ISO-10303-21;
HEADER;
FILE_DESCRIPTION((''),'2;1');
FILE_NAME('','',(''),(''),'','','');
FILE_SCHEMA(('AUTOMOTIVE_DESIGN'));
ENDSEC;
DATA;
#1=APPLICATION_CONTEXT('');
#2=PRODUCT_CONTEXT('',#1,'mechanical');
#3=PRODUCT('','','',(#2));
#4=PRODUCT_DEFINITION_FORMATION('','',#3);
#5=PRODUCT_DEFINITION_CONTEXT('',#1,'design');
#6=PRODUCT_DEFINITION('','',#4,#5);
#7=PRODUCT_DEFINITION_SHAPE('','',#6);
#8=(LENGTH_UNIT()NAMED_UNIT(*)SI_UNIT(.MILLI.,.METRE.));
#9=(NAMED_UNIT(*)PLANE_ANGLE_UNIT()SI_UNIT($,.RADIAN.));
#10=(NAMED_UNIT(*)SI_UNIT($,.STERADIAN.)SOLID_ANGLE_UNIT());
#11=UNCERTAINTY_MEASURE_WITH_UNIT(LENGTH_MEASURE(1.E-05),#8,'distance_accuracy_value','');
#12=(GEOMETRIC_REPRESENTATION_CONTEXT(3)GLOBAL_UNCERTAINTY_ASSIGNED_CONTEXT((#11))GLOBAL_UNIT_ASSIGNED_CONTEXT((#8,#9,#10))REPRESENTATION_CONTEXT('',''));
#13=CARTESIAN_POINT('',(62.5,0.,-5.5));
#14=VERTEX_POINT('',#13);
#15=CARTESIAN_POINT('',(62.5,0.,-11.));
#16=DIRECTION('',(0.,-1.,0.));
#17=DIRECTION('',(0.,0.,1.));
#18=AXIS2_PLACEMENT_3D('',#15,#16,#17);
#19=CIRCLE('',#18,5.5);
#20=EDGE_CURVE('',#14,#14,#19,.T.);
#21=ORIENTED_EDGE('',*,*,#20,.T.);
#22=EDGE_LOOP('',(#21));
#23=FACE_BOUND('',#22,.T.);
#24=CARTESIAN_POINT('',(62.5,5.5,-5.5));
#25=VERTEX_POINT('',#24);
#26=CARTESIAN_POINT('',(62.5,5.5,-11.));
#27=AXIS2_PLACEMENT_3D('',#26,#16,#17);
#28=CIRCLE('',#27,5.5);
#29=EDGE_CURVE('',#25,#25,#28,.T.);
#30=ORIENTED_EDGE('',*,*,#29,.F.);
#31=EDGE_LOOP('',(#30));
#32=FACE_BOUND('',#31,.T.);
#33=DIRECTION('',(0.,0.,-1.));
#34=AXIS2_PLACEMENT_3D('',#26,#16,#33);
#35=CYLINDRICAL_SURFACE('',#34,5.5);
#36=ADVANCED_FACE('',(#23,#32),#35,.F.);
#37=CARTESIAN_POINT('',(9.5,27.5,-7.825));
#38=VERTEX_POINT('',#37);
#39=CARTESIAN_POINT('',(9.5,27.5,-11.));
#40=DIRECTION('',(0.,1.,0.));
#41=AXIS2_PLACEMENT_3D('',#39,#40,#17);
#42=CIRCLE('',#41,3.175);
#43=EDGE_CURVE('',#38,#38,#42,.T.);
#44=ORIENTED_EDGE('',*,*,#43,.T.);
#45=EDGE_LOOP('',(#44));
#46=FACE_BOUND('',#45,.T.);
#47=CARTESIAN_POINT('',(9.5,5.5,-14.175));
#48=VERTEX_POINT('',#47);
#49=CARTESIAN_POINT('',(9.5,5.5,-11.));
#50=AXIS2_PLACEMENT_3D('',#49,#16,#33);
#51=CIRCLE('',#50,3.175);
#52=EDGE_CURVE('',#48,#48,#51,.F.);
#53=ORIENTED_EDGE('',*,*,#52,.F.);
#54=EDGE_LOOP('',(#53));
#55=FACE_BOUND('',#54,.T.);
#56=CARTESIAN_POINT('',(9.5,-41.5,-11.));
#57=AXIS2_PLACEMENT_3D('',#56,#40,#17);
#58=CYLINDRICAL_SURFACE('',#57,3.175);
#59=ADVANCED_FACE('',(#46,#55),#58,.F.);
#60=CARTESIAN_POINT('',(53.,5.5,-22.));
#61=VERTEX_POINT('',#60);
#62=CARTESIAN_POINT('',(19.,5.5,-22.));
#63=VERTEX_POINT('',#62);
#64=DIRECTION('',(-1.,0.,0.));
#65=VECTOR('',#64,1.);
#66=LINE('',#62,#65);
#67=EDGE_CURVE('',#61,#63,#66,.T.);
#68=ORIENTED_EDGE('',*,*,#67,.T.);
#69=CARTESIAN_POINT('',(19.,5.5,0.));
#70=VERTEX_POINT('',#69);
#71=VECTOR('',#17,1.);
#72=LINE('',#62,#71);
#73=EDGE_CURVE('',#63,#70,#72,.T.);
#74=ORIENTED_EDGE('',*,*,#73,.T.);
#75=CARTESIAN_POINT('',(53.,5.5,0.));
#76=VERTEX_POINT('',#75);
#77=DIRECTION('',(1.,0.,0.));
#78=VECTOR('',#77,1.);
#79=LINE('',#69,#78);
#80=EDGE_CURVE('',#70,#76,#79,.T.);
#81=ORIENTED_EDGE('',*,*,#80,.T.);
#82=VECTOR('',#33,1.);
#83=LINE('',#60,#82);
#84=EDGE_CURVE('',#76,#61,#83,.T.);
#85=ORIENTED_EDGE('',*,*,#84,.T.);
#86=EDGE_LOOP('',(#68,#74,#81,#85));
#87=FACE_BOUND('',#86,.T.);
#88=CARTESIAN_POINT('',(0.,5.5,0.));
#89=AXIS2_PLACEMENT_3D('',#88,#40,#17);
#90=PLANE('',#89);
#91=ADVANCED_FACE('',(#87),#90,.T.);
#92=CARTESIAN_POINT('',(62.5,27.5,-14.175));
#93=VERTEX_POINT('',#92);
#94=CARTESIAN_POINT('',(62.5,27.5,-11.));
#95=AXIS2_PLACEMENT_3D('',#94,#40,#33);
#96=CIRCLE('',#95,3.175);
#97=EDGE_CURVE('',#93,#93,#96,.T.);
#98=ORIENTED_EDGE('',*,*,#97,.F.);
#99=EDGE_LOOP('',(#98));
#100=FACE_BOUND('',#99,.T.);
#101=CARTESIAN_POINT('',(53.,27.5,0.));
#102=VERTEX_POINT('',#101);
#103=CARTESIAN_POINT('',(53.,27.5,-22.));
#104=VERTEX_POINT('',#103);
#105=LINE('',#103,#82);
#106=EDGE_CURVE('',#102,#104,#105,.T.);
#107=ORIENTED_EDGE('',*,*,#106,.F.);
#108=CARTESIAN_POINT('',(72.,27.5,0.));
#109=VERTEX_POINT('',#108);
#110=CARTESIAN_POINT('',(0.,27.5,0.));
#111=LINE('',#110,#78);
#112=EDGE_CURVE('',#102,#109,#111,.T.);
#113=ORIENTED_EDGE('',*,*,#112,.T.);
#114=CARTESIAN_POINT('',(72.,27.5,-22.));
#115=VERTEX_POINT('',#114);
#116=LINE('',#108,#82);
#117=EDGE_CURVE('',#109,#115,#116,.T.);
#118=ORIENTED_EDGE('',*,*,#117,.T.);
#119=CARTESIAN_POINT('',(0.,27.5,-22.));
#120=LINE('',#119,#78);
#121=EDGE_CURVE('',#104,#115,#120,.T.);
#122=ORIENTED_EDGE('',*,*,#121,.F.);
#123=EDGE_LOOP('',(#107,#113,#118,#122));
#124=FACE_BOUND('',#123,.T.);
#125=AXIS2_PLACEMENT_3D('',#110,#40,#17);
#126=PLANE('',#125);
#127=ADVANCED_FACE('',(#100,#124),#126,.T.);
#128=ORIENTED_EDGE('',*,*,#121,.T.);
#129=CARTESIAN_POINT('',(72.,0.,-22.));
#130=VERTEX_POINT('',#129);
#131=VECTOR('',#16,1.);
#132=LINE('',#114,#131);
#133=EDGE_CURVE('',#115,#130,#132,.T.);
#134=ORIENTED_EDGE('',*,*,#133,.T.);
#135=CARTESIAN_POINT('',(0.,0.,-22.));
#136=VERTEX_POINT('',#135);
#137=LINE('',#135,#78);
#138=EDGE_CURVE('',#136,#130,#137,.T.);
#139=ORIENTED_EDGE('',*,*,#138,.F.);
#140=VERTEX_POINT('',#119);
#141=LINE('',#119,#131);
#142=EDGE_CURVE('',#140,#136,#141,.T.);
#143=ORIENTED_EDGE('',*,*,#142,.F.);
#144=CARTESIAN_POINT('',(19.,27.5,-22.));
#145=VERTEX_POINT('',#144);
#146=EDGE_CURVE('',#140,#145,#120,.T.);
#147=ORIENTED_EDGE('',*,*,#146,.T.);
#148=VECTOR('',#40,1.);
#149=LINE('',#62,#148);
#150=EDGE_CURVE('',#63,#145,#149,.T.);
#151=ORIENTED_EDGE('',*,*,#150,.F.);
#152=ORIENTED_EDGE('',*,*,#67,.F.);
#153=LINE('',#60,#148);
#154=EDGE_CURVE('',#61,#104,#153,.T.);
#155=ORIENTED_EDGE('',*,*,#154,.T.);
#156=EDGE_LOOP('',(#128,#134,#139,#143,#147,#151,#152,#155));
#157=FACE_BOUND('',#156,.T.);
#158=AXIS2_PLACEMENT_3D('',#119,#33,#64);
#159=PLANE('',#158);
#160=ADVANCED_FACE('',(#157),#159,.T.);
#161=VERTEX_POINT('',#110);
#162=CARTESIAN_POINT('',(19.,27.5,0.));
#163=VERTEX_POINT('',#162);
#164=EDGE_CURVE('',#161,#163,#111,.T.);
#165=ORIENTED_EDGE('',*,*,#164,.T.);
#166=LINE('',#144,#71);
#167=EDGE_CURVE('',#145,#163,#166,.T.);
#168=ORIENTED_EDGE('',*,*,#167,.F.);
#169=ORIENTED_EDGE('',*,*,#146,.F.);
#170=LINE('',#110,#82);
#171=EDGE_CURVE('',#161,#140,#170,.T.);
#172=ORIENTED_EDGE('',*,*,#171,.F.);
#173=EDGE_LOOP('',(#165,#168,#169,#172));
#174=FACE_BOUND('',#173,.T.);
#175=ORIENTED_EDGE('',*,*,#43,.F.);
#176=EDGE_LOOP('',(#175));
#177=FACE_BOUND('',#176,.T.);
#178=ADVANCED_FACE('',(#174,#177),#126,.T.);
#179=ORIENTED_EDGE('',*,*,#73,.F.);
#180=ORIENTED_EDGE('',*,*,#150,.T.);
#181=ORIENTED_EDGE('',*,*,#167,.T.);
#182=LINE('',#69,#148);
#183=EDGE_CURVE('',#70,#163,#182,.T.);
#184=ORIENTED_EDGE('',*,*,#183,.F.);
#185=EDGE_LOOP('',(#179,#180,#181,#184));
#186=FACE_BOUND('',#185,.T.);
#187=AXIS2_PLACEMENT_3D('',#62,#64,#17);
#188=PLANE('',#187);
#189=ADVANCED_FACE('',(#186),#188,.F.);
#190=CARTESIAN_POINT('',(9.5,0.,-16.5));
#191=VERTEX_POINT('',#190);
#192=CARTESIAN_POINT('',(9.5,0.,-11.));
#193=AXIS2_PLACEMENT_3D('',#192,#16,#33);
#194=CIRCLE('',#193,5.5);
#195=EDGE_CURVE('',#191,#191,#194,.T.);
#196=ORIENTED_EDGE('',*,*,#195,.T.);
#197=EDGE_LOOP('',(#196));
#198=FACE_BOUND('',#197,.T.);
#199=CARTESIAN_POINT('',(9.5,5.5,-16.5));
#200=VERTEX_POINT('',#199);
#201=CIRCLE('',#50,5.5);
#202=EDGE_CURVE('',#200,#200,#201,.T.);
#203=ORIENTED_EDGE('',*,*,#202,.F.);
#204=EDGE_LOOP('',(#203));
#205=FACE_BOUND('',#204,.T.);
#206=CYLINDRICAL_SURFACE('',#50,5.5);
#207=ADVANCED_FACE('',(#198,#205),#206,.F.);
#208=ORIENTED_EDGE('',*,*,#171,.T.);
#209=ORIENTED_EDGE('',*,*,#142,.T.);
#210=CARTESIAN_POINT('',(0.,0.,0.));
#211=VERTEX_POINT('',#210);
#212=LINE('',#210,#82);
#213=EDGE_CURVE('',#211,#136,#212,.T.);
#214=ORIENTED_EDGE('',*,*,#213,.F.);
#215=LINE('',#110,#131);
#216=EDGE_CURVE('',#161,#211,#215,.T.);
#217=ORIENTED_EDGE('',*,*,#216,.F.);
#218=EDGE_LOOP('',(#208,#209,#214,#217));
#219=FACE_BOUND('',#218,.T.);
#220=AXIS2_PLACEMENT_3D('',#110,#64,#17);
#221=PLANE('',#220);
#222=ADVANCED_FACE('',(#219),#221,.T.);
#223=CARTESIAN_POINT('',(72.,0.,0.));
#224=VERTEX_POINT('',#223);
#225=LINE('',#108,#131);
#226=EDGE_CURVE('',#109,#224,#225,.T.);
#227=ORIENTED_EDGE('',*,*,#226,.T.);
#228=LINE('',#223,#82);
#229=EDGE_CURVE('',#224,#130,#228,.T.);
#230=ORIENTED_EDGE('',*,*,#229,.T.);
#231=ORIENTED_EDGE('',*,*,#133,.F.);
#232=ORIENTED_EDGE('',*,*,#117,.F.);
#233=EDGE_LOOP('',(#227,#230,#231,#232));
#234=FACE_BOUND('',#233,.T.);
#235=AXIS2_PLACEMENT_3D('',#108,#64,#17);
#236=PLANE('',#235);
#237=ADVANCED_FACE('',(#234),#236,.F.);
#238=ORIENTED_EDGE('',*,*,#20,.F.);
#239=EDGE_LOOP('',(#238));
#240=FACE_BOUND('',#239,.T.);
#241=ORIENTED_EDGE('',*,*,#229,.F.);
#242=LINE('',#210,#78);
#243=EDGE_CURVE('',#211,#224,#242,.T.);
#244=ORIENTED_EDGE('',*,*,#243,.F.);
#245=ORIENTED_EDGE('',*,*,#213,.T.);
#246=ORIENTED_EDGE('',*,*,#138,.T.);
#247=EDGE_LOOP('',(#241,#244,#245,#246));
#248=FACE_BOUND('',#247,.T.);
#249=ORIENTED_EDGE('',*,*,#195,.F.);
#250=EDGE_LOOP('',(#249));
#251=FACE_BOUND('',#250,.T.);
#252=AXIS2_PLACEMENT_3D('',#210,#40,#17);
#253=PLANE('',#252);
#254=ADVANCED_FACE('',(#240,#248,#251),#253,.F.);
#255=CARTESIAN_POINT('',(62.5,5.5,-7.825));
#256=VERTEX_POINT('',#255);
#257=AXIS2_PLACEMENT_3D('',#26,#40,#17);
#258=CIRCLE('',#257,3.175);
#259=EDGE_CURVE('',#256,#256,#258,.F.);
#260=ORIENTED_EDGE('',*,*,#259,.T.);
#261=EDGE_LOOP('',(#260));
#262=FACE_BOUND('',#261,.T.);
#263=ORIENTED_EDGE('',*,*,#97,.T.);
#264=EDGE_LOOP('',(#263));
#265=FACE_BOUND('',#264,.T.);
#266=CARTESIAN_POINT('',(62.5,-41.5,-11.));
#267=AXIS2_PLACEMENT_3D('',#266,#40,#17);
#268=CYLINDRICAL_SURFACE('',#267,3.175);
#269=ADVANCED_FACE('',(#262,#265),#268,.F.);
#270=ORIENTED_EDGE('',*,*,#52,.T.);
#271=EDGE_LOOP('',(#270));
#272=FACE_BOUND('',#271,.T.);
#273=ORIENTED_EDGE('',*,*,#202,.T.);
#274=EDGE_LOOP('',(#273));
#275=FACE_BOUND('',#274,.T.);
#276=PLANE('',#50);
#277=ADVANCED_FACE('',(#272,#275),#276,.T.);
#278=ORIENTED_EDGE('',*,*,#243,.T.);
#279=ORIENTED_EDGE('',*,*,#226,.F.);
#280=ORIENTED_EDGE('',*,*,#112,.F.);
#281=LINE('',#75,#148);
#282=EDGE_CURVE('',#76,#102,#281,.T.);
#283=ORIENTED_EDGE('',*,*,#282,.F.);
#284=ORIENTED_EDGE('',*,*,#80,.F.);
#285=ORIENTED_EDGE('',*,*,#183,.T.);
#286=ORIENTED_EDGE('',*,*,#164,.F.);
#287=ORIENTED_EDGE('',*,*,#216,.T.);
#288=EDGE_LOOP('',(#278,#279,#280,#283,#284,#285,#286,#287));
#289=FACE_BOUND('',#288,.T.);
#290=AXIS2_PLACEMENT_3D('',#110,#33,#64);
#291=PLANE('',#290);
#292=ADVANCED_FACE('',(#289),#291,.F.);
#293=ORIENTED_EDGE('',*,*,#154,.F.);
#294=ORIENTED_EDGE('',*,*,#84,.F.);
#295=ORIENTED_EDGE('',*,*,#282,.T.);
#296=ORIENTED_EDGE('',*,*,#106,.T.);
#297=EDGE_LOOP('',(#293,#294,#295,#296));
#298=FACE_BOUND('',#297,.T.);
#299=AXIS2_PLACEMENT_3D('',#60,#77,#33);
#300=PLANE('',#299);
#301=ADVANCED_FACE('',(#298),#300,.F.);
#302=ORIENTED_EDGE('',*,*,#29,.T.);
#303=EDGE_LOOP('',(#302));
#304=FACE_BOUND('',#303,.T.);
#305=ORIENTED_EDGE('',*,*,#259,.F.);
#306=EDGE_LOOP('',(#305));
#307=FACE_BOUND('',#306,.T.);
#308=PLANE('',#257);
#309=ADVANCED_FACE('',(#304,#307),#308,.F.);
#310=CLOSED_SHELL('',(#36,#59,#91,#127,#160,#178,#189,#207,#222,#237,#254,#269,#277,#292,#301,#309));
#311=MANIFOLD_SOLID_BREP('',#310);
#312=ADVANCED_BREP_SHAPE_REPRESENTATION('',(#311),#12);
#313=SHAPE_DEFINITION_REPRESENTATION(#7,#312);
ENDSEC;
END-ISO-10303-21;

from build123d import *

# Parameters (mm, degrees)
SKETCH1_W           = 72
SKETCH1_H           = 22
BOSS_EXTRUDE1_DEPTH = 27.5
SKETCH2_W           = 34
SKETCH2_H           = 22
CUT_EXTRUDE1_DEPTH  = 22
SKETCH3_R           = 3.175
CUT_EXTRUDE2_DEPTH  = 69
SKETCH5_R           = 5.5
CUT_EXTRUDE3_DEPTH  = 5.5


with BuildPart() as part:
    # Sketch1 → Boss-Extrude1 (new body)
    with BuildSketch(Plane(origin=(0, 0, 0), x_dir=(1, 0, 0), z_dir=(0, 1, 0))):
        with Locations((36, 11)):
            Rectangle(SKETCH1_W, SKETCH1_H)
    extrude(amount=BOSS_EXTRUDE1_DEPTH)

    # Sketch2 → Cut-Extrude1 (cut)
    with BuildSketch(Plane(origin=(0, 27.5, 0), x_dir=(1, 0, 0), z_dir=(0, 1, 0))):
        with Locations((36, 11)):
            Rectangle(SKETCH2_W, SKETCH2_H)
    extrude(amount=-CUT_EXTRUDE1_DEPTH, mode=Mode.SUBTRACT)

    # Sketch3 → Cut-Extrude2 (cut)
    with BuildSketch(Plane(origin=(0, 27.5, 0), x_dir=(1, 0, 0), z_dir=(0, 1, 0))):
        with Locations(Location((9.5, 11, 0), (0, 0, 270))):
            Circle(SKETCH3_R)
        with Locations(Location((62.5, 11, 0), (0, 0, 270))):
            Circle(SKETCH3_R)
    extrude(amount=-CUT_EXTRUDE2_DEPTH, mode=Mode.SUBTRACT)

    # Sketch5 → Cut-Extrude3 (cut)
    with BuildSketch(Plane.XZ):
        with Locations(Location((9.5, -11, 0), (0, 0, 270))):
            Circle(SKETCH5_R)
        with Locations(Location((62.5, -11, 0), (0, 0, 90))):
            Circle(SKETCH5_R)
    extrude(amount=-CUT_EXTRUDE3_DEPTH, mode=Mode.SUBTRACT)


solid = part.part
